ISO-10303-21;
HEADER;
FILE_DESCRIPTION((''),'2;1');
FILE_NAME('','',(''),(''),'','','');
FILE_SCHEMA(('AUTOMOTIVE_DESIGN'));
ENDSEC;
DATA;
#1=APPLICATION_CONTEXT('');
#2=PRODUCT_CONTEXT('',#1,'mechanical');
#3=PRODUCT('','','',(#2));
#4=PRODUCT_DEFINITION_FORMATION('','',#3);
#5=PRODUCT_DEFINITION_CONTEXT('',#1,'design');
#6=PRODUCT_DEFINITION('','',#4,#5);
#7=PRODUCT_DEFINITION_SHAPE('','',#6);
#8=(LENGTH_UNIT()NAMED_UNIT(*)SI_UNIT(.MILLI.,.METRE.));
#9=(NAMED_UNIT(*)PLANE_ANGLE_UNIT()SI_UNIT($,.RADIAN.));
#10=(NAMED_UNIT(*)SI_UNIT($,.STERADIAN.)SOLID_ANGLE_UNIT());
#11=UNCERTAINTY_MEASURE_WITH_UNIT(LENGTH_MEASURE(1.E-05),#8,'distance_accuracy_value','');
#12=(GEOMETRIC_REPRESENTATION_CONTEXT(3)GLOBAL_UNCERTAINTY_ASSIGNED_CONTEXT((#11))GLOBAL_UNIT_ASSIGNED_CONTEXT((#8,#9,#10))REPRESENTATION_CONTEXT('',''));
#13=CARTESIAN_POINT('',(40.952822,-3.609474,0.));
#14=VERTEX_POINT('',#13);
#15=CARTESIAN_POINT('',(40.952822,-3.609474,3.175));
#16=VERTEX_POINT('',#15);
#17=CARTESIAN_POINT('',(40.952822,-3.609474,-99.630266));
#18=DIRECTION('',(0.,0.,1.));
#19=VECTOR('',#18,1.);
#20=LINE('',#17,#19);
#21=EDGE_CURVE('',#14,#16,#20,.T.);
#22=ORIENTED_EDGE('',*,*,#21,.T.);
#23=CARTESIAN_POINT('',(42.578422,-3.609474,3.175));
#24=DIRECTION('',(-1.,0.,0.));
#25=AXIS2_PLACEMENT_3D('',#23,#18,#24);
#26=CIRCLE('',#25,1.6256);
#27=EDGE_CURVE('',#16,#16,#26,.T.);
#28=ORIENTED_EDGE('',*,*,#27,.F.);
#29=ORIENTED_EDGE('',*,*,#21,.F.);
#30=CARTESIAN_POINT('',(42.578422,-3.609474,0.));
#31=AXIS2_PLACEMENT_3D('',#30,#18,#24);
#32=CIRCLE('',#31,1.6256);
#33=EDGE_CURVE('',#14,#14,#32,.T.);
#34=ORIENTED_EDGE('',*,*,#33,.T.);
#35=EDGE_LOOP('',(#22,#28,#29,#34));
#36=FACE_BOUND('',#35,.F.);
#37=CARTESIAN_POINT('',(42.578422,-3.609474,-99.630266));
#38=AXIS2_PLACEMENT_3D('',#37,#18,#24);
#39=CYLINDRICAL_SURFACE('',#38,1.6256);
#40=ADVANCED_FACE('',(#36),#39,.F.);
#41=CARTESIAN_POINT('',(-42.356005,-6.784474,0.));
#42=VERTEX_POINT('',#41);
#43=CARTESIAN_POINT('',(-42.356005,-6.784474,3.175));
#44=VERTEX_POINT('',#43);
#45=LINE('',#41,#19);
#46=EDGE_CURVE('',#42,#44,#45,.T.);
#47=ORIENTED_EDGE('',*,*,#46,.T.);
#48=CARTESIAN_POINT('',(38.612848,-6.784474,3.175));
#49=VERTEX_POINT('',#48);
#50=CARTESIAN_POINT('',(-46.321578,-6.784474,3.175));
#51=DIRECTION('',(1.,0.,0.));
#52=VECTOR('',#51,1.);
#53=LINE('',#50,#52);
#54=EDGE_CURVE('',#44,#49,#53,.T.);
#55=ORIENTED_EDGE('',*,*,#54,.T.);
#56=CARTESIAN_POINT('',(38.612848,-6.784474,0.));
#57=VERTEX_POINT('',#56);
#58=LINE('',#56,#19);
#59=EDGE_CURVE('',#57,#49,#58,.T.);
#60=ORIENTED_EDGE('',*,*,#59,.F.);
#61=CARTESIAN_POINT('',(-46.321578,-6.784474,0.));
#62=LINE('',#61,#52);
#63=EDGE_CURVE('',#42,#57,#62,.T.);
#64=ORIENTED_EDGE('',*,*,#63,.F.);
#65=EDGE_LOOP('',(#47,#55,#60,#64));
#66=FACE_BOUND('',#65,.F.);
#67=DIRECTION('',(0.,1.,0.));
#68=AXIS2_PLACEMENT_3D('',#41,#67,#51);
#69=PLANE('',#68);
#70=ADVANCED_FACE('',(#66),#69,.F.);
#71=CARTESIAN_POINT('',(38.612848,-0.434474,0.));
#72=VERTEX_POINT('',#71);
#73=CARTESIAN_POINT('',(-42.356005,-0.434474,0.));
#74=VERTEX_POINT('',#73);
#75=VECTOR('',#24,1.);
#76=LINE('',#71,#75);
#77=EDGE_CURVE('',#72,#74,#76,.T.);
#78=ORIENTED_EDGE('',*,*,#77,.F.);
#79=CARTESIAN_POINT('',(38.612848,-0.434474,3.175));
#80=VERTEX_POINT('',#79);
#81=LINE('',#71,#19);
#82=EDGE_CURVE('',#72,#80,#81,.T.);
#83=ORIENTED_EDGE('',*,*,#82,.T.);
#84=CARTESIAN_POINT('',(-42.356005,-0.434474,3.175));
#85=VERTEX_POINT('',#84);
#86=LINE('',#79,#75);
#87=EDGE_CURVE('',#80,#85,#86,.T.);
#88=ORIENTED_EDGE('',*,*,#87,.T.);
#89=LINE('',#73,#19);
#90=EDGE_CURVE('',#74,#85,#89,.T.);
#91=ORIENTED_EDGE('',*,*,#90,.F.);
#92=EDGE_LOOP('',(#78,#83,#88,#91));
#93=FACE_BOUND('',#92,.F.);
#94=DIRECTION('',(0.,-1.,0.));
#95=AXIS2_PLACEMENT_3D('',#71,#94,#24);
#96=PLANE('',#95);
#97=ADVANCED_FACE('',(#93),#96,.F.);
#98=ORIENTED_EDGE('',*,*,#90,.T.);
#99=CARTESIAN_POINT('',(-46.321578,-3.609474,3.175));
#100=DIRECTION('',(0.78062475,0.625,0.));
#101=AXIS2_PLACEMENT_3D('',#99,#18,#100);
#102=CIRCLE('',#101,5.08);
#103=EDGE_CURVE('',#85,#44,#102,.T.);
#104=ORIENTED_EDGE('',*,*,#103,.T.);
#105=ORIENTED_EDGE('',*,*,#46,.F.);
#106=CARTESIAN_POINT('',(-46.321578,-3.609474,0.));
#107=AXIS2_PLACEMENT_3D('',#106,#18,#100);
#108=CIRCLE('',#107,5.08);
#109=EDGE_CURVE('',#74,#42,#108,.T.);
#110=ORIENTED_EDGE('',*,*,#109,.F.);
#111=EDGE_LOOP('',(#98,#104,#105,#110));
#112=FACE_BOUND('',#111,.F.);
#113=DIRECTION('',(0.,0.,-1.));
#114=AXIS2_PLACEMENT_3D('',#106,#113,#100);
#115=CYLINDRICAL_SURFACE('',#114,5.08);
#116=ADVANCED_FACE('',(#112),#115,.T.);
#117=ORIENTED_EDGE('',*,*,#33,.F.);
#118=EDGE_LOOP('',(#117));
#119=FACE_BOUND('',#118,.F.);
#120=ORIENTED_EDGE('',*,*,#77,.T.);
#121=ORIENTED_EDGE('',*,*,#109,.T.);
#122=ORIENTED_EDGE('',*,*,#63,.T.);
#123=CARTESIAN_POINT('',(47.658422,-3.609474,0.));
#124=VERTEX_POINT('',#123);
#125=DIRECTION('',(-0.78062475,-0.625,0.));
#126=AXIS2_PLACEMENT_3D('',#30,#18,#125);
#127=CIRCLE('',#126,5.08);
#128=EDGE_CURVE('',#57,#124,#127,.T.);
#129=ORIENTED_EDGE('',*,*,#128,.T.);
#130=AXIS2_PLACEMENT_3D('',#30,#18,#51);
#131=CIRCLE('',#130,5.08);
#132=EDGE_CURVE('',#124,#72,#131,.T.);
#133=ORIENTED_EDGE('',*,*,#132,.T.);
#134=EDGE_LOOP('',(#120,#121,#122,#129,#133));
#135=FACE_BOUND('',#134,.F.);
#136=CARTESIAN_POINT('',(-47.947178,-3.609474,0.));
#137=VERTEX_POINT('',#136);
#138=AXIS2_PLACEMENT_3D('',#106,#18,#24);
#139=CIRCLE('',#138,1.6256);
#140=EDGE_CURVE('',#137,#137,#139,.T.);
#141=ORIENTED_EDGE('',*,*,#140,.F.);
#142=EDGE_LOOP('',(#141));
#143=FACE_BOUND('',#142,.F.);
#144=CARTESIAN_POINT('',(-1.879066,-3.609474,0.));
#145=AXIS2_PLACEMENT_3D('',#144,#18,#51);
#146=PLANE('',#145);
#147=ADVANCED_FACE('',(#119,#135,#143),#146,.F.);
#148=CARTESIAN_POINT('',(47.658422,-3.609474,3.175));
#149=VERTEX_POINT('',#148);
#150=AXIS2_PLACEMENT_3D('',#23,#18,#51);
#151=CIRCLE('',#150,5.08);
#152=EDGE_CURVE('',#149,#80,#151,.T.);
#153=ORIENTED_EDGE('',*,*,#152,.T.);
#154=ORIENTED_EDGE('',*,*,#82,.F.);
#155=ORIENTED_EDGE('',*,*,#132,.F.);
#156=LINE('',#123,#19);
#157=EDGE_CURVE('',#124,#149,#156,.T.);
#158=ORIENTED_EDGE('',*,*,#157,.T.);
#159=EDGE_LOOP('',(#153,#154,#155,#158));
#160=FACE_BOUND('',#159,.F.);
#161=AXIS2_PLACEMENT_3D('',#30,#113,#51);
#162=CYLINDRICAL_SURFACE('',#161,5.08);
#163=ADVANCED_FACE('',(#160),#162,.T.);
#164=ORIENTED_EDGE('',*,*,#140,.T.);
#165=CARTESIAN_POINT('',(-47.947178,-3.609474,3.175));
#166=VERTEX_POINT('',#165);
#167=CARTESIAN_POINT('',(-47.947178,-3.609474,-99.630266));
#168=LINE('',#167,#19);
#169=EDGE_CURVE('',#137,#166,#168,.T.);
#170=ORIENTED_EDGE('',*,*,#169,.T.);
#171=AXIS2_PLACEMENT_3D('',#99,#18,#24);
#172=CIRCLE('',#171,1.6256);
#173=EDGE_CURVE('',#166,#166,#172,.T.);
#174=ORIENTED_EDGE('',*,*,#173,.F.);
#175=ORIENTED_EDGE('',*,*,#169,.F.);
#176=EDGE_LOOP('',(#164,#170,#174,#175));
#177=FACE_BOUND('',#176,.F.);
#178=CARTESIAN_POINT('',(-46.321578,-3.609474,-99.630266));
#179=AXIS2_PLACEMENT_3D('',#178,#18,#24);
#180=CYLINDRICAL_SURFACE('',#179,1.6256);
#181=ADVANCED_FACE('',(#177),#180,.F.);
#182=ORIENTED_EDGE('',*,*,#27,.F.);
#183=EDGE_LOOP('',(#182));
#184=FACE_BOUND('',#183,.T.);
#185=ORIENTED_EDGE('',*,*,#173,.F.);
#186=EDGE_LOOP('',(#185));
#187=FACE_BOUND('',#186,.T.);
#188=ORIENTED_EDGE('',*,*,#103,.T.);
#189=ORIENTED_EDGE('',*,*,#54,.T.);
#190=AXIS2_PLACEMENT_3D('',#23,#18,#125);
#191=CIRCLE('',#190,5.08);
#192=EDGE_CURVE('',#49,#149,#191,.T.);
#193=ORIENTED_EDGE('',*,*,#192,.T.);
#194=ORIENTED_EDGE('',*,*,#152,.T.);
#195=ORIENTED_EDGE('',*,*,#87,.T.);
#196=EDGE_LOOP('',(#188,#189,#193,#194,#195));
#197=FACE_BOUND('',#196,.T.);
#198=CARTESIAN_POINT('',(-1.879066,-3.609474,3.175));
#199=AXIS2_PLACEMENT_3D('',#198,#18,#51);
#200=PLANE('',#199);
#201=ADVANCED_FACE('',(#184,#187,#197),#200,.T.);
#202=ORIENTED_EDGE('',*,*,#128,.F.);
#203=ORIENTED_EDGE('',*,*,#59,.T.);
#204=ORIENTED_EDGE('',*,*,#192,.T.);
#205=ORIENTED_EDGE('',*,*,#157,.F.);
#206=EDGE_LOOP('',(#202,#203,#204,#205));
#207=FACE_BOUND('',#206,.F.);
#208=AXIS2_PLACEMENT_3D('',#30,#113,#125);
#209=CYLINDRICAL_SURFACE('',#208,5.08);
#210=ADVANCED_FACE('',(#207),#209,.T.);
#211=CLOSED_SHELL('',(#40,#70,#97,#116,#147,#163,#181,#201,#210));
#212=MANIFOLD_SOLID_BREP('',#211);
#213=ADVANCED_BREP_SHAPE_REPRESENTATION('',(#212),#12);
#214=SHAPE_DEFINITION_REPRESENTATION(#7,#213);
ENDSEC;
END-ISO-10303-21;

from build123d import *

# Parameters (mm, degrees)
F1_DEPTH = 3.175
F3_D     = 3.2512


with BuildPart() as f1:
    # F0 (on Top) → F1 (new body)
    with BuildSketch(Plane.XY):
        with BuildLine():
            Line((38.6128478041, -0.4344735458), (-42.3560047379, -0.4344735458))
            ThreePointArc((-42.3560047379, -0.4344735458), (-41.5282750891, -1.9270221414), (-41.2415784669, -3.6094735458))
            ThreePointArc((-41.2415784669, -3.6094735458), (-41.5282750891, -5.2919249503), (-42.3560047379, -6.7844735458))
            Line((-42.3560047379, -6.7844735458), (38.6128478041, -6.7844735458))
            ThreePointArc((38.6128478041, -6.7844735458), (37.4984215331, -3.6094735458), (38.6128478041, -0.4344735458))
        make_face()
        with BuildLine():
            ThreePointArc((47.6584215331, -3.6094735458), (44.2608729376, 1.1838298319), (38.6128478041, -0.4344735458))
            Line((38.6128478041, -0.4344735458), (42.5784215331, -0.4344735458))
            Line((42.5784215331, -0.4344735458), (42.5784215331, -6.7844735458))
            Line((42.5784215331, -6.7844735458), (38.6128478041, -6.7844735458))
            ThreePointArc((38.6128478041, -6.7844735458), (44.2608729376, -8.4027769236), (47.6584215331, -3.6094735458))
        make_face()
        with BuildLine():
            Line((42.5784215331, -0.4344735458), (38.6128478041, -0.4344735458))
            ThreePointArc((38.6128478041, -0.4344735458), (37.4984215331, -3.6094735458), (38.6128478041, -6.7844735458))
            Line((38.6128478041, -6.7844735458), (42.5784215331, -6.7844735458))
            Line((42.5784215331, -6.7844735458), (42.5784215331, -0.4344735458))
        make_face()
        with BuildLine():
            Line((-42.3560047379, -0.4344735458), (-46.3215784669, -0.4344735458))
            Line((-46.3215784669, -0.4344735458), (-46.3215784669, -6.7844735458))
            Line((-46.3215784669, -6.7844735458), (-42.3560047379, -6.7844735458))
            ThreePointArc((-42.3560047379, -6.7844735458), (-41.5282750891, -5.2919249503), (-41.2415784669, -3.6094735458))
            ThreePointArc((-41.2415784669, -3.6094735458), (-41.5282750891, -1.9270221414), (-42.3560047379, -0.4344735458))
        make_face()
        with BuildLine():
            Line((-46.3215784669, -6.7844735458), (-46.3215784669, -0.4344735458))
            Line((-46.3215784669, -0.4344735458), (-42.3560047379, -0.4344735458))
            ThreePointArc((-42.3560047379, -0.4344735458), (-51.4015784669, -3.6094735458), (-42.3560047379, -6.7844735458))
            Line((-42.3560047379, -6.7844735458), (-46.3215784669, -6.7844735458))
        make_face()
    extrude(amount=F1_DEPTH)

    # F3 (through all)
    with Locations(Plane(origin=(0, 0, 0), x_dir=(1, 0, 0), z_dir=(0, 0, -1))):
        with Locations((-46.3215784669, 3.6094735458), (42.5784215331, 3.6094735458)):
            Hole(F3_D / 2)


solid = f1.part
